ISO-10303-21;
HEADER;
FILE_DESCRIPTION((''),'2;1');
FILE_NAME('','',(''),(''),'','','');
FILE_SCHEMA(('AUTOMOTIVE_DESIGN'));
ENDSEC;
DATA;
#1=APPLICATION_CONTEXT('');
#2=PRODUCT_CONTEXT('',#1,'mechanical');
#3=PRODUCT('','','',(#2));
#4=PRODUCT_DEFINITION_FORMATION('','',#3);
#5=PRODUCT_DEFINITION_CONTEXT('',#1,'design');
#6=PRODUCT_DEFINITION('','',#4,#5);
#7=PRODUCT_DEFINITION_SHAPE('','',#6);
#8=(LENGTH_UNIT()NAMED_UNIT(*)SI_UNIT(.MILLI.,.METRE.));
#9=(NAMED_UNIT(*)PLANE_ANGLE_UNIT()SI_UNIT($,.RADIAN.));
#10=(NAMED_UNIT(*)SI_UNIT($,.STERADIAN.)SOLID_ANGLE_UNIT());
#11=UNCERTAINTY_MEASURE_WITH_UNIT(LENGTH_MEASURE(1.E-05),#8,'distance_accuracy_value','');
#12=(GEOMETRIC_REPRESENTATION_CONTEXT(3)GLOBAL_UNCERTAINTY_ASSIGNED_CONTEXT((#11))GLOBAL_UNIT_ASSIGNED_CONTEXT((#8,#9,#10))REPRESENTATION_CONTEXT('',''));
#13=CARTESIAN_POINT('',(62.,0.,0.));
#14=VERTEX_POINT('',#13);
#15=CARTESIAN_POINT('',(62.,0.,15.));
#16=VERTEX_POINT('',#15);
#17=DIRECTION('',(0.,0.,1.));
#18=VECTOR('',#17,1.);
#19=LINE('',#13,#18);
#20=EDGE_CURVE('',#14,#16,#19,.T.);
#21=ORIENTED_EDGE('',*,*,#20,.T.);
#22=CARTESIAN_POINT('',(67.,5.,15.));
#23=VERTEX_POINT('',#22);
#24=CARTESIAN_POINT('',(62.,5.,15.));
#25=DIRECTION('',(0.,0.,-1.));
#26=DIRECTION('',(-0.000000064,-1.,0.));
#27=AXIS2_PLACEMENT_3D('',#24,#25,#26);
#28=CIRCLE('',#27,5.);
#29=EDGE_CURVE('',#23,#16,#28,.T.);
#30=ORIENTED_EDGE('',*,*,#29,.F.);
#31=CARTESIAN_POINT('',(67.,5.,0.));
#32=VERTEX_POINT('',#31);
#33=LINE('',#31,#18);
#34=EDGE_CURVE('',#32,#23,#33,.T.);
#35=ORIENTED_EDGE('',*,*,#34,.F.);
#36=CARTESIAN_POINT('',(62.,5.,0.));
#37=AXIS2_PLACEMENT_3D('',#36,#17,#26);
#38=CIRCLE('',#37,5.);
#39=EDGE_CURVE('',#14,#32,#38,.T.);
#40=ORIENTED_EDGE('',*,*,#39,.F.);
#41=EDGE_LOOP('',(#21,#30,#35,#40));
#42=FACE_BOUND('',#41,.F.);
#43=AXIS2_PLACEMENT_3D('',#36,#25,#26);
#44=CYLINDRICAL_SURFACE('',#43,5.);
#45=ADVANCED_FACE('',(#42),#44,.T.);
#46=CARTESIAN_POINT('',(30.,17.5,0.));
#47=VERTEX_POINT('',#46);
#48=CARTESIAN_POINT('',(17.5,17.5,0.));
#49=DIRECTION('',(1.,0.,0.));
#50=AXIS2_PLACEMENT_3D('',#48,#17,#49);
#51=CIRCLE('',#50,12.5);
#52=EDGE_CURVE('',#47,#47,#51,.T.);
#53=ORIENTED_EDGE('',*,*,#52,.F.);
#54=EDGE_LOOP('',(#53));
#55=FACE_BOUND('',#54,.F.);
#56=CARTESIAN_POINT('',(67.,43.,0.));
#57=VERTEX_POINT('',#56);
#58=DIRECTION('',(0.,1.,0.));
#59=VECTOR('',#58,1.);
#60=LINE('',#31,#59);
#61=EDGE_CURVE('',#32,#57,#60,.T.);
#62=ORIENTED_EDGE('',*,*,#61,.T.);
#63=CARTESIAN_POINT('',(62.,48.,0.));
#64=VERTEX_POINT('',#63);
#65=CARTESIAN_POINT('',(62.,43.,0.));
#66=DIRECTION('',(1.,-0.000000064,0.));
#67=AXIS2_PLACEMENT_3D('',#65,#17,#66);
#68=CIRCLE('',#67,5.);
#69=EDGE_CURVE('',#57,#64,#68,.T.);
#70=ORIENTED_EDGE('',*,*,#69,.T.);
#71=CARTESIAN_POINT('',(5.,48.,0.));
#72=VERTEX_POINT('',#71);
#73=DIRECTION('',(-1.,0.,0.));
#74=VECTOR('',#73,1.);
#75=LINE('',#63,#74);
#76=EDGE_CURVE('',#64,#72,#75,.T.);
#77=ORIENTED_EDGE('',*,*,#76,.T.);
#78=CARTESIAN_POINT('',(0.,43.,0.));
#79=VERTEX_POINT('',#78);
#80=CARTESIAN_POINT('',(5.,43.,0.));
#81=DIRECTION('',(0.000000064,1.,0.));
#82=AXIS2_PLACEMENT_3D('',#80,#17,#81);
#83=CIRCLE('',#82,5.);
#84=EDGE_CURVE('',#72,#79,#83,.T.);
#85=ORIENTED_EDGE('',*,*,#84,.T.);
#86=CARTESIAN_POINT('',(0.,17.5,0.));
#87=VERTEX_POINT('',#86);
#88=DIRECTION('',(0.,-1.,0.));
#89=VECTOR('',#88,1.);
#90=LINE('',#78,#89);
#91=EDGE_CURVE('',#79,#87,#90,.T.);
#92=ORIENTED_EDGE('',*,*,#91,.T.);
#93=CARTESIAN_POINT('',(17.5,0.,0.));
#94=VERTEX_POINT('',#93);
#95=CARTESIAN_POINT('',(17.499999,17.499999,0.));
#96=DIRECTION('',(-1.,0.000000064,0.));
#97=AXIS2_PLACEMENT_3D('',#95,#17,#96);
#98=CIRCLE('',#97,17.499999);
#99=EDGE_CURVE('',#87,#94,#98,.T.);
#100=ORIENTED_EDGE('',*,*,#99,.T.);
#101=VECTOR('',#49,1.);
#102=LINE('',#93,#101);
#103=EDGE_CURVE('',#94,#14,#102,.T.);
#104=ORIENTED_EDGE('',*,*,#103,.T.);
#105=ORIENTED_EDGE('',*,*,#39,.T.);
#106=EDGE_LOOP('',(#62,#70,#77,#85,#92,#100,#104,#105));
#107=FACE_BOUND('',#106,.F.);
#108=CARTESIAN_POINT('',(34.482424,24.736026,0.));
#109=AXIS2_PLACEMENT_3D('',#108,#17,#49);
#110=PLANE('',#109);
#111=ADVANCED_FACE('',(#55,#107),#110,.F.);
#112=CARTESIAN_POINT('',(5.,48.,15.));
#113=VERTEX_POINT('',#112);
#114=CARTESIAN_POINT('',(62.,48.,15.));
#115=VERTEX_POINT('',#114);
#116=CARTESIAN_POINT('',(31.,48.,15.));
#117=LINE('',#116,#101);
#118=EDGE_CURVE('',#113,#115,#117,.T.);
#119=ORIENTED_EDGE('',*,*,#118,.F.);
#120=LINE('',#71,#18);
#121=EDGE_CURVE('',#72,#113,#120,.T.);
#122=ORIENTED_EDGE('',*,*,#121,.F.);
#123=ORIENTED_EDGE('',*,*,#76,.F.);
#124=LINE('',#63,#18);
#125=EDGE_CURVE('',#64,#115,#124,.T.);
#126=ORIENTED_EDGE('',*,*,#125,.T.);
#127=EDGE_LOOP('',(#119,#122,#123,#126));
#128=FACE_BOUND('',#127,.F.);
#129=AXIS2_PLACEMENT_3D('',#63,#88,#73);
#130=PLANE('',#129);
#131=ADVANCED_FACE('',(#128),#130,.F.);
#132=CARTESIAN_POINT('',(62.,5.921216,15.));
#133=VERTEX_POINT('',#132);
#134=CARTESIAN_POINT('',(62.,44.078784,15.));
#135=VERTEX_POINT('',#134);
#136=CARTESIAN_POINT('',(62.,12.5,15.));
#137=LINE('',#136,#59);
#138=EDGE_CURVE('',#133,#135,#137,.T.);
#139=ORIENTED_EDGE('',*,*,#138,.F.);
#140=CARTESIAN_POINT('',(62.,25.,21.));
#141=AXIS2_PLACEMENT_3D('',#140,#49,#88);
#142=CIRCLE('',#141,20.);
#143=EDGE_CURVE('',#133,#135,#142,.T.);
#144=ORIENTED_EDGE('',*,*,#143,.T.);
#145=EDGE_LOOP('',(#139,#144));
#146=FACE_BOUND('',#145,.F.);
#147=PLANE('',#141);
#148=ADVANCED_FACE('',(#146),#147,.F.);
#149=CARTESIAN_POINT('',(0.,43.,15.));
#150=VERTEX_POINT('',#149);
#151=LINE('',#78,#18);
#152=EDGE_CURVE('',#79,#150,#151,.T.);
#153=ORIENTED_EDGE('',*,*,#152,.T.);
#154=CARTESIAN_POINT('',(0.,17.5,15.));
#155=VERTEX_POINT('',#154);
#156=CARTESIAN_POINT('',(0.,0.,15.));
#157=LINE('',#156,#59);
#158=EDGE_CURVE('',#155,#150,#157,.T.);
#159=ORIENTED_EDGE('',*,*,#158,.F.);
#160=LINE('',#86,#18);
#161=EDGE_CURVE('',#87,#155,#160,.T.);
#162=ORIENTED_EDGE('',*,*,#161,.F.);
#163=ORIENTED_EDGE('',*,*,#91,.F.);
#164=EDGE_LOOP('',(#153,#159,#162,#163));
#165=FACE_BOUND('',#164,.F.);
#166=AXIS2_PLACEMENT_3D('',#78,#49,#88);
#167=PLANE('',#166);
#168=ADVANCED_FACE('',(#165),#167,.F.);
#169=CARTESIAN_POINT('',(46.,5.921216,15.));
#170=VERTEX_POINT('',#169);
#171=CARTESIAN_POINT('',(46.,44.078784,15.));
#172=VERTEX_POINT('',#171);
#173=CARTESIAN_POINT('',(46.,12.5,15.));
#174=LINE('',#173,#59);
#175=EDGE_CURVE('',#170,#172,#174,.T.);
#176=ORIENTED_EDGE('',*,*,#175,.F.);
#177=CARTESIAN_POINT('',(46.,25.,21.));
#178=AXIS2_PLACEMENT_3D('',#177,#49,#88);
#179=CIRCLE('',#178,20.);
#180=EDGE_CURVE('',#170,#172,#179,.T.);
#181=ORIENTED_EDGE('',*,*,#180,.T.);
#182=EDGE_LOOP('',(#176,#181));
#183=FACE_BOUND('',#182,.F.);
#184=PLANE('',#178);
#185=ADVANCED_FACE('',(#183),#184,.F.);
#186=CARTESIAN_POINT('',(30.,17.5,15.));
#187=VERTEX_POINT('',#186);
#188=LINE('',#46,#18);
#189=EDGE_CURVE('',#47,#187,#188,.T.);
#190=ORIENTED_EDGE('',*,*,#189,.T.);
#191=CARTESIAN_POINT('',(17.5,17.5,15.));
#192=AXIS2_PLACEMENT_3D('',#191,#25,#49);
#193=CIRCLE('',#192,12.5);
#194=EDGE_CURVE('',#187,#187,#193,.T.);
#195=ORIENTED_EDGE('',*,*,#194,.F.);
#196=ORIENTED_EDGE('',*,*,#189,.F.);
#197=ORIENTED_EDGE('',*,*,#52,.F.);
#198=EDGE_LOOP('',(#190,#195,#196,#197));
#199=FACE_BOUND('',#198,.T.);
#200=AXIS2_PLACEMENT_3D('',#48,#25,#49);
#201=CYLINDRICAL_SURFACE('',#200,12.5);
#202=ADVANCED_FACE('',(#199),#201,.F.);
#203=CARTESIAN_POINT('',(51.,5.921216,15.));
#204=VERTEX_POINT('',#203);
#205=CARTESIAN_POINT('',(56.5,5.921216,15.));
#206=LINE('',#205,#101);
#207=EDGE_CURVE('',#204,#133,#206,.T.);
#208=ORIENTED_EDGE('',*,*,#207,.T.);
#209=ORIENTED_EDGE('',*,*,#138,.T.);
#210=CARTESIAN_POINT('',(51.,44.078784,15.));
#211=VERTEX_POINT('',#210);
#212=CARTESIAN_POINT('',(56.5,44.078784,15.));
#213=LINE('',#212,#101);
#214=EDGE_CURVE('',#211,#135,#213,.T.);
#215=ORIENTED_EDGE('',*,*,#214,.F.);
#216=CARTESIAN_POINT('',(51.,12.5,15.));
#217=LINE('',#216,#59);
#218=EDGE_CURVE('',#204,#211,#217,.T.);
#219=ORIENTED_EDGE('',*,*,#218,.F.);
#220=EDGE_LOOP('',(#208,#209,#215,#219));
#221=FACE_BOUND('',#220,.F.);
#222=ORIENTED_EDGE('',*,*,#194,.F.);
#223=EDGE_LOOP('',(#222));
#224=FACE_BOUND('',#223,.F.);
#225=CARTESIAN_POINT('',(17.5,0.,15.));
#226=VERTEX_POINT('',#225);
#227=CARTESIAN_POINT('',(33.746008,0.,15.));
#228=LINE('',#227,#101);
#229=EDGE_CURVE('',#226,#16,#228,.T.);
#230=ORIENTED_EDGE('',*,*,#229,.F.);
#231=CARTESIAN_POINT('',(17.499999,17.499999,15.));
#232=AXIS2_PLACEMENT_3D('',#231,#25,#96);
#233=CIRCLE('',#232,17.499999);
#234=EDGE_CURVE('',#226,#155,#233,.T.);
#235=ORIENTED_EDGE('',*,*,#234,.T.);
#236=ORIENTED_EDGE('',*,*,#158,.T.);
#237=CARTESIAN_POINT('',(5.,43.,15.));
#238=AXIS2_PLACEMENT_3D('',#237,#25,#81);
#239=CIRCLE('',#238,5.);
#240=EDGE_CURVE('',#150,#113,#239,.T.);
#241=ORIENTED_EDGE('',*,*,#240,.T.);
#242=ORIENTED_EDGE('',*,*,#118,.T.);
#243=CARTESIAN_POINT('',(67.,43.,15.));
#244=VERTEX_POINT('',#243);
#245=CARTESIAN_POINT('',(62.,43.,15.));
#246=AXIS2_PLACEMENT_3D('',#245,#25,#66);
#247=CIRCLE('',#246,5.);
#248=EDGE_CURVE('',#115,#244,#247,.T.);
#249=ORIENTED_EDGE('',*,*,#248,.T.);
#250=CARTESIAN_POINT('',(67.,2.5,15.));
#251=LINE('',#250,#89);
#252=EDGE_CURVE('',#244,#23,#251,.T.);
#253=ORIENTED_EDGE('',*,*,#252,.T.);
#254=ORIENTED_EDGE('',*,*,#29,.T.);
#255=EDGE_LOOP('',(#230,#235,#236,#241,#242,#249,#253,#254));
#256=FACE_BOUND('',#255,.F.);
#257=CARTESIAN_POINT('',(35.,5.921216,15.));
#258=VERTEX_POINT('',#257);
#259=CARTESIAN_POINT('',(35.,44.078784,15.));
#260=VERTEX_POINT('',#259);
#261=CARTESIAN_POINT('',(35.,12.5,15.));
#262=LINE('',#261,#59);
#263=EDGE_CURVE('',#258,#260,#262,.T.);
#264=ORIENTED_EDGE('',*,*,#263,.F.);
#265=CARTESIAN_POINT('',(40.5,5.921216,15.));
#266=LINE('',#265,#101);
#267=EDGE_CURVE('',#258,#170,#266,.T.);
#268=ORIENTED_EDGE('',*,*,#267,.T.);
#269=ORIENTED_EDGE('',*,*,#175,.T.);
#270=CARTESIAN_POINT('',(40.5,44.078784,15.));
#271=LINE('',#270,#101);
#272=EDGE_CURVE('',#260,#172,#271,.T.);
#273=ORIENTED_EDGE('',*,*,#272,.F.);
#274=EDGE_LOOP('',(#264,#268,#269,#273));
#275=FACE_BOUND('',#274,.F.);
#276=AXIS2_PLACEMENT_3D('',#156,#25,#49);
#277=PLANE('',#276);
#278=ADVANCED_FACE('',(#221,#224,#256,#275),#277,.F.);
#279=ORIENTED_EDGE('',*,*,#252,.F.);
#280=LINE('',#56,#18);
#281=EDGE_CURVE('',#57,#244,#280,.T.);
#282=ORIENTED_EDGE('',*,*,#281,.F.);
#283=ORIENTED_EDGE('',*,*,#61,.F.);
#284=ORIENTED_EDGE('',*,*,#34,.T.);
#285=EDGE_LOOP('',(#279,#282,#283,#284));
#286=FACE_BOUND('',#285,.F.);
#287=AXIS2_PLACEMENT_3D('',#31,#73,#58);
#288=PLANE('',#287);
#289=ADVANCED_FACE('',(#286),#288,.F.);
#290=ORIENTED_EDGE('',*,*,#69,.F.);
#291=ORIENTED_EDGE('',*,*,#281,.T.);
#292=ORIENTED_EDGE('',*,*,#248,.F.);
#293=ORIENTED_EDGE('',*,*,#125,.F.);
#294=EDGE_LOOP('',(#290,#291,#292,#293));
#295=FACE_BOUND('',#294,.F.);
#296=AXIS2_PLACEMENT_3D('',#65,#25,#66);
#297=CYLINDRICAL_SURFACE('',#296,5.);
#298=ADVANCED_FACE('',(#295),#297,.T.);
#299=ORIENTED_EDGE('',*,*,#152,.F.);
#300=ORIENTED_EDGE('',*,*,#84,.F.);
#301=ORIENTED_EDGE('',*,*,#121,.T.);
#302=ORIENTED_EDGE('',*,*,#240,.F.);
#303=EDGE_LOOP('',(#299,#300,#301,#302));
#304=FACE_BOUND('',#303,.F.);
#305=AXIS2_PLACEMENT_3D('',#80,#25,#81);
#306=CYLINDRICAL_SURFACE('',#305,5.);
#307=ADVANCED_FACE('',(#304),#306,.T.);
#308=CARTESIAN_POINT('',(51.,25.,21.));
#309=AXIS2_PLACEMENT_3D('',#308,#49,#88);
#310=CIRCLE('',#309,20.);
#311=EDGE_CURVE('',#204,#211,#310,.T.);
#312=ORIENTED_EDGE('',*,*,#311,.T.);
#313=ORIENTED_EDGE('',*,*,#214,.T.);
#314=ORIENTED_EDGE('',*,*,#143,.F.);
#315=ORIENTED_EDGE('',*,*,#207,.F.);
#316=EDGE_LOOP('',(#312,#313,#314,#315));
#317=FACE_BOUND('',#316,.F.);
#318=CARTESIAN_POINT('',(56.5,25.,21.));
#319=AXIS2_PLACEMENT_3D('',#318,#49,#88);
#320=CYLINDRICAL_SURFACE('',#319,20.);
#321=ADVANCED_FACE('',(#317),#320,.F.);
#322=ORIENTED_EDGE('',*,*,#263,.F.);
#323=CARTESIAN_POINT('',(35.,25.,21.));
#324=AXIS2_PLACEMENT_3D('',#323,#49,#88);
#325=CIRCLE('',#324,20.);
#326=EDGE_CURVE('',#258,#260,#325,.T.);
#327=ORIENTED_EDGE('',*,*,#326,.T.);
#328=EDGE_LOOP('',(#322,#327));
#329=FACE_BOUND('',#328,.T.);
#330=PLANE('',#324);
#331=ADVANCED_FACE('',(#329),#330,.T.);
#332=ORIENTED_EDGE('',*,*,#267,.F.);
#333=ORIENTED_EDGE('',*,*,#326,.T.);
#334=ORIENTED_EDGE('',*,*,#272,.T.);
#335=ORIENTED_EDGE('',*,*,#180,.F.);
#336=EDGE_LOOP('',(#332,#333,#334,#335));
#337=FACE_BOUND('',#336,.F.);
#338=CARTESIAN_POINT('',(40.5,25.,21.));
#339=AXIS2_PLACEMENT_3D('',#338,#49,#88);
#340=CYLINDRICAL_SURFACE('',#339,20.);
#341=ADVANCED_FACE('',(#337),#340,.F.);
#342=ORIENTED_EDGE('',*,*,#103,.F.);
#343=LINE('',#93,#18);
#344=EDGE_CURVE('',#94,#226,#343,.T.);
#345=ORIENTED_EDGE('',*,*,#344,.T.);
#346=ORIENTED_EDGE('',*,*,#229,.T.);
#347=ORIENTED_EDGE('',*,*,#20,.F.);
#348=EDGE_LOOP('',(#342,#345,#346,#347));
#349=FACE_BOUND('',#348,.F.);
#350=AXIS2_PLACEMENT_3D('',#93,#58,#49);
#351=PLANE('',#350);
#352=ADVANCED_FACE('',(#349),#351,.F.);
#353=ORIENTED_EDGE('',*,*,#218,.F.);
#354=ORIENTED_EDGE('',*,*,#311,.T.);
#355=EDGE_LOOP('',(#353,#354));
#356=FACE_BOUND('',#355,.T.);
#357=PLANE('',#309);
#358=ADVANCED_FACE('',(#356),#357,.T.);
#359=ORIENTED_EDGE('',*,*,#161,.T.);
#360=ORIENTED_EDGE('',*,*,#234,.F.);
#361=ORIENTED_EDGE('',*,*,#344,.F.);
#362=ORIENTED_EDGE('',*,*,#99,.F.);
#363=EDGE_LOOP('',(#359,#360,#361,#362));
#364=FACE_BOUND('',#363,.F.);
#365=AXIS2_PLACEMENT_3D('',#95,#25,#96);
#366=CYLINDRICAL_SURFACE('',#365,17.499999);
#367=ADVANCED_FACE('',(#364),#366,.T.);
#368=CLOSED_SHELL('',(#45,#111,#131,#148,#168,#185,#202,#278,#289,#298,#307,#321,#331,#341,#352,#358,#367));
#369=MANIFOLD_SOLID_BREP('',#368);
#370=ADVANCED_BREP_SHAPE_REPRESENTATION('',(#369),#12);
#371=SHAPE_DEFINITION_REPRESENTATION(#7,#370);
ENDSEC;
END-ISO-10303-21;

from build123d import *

# Parameters (mm, degrees)
F0_R     = 12.5
F1_DEPTH = 21
F2_W     = 11
F2_H     = 20
F4_W     = 67.492016
F4_H     = 6.775262
F5_DEPTH = 48.001


with BuildPart() as f1:
    # F0 (on Top) → F1 (new body)
    with BuildSketch(Plane.XY):
        with BuildLine():
            ThreePointArc((0, 17.5), (5.125631, 5.125631), (17.5, 0))
            Line((17.5, 0), (62, 0))
            ThreePointArc((62, 0), (65.535534, 1.464466), (67, 5))
            Line((67, 5), (67, 43))
            ThreePointArc((67, 43), (65.535534, 46.535534), (62, 48))
            Line((62, 48), (5, 48))
            ThreePointArc((5, 48), (1.464466, 46.535534), (0, 43))
            Line((0, 43), (0, 17.5))
        make_face()
        with Locations((17.5, 17.5)):
            Circle(F0_R, mode=Mode.SUBTRACT)
    extrude(amount=F1_DEPTH)

    # F2 (on face) → F3 (revolve, cut)
    with BuildSketch(Plane.XY.offset(21)):
        with Locations((40.5, 15)):
            Rectangle(F2_W, F2_H)
        with Locations((56.5, 15)):
            Rectangle(F2_W, F2_H)
    revolve(axis=Axis((40.5, 25, 21), (1, 0, 0)), mode=Mode.SUBTRACT)

    # F4 (on face) → F5 (cut, through all)
    with BuildSketch(Plane.XZ):
        with Locations((33.746008, 18.387631)):
            Rectangle(F4_W, F4_H)
    extrude(amount=-F5_DEPTH, mode=Mode.SUBTRACT)


solid = f1.part
